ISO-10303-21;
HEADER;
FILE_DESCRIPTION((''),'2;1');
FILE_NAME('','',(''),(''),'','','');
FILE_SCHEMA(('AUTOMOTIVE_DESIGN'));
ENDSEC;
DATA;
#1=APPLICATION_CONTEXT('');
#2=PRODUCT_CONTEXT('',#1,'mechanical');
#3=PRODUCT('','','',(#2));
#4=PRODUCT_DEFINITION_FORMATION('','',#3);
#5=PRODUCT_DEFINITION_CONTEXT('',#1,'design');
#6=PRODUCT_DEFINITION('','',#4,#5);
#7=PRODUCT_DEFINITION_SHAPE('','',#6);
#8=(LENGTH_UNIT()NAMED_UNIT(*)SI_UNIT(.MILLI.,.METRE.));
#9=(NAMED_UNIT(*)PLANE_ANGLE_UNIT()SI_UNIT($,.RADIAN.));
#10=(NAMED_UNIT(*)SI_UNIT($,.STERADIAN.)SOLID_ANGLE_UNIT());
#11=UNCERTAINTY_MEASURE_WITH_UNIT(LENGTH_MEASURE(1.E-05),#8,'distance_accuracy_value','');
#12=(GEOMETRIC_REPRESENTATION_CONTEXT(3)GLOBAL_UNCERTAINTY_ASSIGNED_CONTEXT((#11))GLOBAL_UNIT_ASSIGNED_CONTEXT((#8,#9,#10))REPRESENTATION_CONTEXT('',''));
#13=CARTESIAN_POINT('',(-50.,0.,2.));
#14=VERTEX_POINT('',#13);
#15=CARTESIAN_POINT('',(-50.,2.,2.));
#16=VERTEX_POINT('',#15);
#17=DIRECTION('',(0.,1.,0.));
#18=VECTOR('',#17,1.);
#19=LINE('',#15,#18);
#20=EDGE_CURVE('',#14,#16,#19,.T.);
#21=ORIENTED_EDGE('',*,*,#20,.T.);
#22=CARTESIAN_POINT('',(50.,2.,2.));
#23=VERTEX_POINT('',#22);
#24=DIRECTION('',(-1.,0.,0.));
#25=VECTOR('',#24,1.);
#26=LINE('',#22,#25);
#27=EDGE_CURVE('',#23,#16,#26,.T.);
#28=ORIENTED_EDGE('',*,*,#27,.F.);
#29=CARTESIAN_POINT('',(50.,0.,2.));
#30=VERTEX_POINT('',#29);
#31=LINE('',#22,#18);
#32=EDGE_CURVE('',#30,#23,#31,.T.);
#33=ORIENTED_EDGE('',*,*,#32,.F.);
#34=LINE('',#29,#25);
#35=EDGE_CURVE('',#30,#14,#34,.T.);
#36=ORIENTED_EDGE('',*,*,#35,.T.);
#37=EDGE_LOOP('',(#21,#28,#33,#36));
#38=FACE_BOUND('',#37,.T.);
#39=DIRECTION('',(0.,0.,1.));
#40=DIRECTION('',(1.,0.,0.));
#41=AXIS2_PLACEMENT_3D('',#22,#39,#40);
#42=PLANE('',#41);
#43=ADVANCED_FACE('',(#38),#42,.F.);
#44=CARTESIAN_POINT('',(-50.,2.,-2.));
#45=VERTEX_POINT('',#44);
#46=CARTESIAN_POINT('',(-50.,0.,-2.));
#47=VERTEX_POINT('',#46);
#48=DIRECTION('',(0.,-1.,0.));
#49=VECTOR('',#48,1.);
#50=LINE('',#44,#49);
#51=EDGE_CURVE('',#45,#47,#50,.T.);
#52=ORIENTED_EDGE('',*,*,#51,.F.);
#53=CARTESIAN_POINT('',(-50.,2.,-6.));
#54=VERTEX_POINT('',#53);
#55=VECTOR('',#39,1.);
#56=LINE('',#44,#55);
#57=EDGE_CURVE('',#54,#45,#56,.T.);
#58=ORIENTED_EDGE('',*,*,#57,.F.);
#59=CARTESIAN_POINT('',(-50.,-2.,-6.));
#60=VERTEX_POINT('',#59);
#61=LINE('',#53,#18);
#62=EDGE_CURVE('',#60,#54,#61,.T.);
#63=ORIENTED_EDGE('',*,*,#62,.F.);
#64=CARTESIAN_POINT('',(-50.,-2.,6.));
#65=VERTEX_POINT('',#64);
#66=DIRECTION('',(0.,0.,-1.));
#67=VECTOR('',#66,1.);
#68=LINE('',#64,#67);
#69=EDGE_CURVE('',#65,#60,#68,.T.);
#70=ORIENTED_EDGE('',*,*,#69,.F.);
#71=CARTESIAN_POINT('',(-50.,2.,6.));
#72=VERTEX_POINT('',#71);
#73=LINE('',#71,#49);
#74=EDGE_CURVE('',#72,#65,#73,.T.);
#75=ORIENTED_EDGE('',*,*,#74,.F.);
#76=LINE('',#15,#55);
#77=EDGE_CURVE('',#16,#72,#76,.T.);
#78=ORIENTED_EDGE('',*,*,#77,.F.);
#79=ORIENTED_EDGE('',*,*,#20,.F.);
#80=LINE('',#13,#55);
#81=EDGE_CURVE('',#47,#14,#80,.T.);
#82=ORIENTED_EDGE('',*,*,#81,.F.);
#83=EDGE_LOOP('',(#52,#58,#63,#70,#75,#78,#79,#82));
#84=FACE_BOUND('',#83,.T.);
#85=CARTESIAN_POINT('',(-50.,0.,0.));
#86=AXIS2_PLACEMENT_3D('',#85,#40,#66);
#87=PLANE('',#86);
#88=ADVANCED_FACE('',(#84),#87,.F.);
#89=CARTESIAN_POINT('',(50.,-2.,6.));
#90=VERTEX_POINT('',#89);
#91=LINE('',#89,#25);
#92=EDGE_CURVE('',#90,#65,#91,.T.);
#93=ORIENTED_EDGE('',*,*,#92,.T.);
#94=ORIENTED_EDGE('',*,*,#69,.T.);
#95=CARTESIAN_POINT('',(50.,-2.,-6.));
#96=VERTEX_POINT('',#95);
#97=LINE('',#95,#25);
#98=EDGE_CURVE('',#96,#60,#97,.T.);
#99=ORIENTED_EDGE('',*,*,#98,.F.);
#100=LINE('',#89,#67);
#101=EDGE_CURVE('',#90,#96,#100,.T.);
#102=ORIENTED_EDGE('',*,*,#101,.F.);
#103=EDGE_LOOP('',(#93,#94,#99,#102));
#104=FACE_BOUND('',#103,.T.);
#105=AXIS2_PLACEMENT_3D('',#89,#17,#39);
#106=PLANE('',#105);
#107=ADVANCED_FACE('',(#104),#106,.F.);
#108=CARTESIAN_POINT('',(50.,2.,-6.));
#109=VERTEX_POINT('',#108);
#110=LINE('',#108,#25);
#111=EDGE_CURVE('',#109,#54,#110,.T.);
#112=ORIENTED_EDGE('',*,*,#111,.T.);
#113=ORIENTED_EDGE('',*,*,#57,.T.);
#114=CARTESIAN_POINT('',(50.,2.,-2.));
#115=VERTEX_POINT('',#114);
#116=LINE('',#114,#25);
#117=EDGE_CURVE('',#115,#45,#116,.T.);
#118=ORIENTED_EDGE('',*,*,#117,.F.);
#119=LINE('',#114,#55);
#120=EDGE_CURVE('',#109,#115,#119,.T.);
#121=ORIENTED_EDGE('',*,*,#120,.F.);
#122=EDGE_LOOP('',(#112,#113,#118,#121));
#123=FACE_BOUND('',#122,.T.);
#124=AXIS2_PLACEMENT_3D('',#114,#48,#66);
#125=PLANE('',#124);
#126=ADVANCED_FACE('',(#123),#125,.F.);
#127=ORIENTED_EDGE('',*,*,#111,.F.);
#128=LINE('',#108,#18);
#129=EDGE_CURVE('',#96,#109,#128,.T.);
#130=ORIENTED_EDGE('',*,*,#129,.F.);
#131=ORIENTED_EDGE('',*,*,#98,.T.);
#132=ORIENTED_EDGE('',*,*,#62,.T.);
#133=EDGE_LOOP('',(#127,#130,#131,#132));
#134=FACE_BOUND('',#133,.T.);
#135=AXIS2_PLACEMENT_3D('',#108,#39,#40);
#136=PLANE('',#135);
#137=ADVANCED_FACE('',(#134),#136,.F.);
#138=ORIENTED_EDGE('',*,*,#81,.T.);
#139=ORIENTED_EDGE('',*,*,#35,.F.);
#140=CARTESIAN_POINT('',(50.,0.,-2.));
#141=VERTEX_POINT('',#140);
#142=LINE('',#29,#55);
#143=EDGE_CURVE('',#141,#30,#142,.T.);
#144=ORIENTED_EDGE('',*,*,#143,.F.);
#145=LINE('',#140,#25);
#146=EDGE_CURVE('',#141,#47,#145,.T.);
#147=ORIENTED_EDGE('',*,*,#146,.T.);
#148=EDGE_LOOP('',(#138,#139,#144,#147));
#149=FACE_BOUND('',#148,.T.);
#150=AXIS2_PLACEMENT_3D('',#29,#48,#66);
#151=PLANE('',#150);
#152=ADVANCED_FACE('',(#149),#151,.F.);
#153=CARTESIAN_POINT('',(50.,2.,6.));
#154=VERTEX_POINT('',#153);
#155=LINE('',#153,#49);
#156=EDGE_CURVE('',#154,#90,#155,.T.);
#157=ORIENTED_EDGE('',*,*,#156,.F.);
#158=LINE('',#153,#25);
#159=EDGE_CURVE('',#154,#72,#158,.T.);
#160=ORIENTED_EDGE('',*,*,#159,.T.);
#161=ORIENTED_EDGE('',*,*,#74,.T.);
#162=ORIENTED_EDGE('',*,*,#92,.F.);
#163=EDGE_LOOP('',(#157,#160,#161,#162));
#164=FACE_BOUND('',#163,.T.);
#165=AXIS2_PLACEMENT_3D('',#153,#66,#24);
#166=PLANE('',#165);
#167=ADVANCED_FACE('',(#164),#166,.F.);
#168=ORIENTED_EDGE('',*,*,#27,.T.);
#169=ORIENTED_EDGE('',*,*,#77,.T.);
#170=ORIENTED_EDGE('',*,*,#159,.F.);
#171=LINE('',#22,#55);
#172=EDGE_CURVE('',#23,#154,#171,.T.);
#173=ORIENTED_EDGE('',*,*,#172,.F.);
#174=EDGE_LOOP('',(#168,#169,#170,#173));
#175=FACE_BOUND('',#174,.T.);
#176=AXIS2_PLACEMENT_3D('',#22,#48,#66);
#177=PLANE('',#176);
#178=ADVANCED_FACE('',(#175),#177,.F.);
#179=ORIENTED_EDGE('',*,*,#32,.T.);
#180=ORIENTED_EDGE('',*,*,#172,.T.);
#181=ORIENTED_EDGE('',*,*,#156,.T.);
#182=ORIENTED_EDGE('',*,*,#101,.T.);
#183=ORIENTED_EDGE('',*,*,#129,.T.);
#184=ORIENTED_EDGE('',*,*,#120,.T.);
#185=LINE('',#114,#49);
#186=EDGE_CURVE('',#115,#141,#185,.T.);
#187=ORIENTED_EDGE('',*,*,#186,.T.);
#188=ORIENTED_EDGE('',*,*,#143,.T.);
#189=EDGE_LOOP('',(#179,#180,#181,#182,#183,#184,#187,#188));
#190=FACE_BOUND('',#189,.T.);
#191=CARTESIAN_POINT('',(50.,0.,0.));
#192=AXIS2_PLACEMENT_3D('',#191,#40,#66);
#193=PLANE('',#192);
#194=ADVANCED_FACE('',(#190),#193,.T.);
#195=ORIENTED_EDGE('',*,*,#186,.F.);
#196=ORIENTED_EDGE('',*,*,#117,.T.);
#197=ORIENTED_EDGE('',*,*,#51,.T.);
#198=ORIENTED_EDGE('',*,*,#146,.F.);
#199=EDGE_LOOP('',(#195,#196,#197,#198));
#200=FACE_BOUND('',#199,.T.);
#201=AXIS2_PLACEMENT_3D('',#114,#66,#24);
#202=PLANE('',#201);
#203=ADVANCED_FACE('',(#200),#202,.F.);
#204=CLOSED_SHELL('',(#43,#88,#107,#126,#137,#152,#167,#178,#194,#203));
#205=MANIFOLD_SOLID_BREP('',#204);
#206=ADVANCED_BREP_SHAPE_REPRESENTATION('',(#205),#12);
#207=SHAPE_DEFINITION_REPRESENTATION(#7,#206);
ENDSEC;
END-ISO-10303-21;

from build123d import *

# Parameters (mm, degrees)
EXTRUDE_1_DEPTH = 50


with BuildPart() as part:
    # 草图1 → 凸台-拉伸1 (new, symmetric)
    with BuildSketch(Plane(origin=(0, 0, 0), x_dir=(0, 0, -1), z_dir=(1, 0, 0))):
        Polygon((-2, 2), (-6, 2), (-6, -2), (6, -2), (6, 2), (2, 2), (2, 0), (-2, 0), align=None)
    extrude(amount=EXTRUDE_1_DEPTH, both=True)


solid = part.part
